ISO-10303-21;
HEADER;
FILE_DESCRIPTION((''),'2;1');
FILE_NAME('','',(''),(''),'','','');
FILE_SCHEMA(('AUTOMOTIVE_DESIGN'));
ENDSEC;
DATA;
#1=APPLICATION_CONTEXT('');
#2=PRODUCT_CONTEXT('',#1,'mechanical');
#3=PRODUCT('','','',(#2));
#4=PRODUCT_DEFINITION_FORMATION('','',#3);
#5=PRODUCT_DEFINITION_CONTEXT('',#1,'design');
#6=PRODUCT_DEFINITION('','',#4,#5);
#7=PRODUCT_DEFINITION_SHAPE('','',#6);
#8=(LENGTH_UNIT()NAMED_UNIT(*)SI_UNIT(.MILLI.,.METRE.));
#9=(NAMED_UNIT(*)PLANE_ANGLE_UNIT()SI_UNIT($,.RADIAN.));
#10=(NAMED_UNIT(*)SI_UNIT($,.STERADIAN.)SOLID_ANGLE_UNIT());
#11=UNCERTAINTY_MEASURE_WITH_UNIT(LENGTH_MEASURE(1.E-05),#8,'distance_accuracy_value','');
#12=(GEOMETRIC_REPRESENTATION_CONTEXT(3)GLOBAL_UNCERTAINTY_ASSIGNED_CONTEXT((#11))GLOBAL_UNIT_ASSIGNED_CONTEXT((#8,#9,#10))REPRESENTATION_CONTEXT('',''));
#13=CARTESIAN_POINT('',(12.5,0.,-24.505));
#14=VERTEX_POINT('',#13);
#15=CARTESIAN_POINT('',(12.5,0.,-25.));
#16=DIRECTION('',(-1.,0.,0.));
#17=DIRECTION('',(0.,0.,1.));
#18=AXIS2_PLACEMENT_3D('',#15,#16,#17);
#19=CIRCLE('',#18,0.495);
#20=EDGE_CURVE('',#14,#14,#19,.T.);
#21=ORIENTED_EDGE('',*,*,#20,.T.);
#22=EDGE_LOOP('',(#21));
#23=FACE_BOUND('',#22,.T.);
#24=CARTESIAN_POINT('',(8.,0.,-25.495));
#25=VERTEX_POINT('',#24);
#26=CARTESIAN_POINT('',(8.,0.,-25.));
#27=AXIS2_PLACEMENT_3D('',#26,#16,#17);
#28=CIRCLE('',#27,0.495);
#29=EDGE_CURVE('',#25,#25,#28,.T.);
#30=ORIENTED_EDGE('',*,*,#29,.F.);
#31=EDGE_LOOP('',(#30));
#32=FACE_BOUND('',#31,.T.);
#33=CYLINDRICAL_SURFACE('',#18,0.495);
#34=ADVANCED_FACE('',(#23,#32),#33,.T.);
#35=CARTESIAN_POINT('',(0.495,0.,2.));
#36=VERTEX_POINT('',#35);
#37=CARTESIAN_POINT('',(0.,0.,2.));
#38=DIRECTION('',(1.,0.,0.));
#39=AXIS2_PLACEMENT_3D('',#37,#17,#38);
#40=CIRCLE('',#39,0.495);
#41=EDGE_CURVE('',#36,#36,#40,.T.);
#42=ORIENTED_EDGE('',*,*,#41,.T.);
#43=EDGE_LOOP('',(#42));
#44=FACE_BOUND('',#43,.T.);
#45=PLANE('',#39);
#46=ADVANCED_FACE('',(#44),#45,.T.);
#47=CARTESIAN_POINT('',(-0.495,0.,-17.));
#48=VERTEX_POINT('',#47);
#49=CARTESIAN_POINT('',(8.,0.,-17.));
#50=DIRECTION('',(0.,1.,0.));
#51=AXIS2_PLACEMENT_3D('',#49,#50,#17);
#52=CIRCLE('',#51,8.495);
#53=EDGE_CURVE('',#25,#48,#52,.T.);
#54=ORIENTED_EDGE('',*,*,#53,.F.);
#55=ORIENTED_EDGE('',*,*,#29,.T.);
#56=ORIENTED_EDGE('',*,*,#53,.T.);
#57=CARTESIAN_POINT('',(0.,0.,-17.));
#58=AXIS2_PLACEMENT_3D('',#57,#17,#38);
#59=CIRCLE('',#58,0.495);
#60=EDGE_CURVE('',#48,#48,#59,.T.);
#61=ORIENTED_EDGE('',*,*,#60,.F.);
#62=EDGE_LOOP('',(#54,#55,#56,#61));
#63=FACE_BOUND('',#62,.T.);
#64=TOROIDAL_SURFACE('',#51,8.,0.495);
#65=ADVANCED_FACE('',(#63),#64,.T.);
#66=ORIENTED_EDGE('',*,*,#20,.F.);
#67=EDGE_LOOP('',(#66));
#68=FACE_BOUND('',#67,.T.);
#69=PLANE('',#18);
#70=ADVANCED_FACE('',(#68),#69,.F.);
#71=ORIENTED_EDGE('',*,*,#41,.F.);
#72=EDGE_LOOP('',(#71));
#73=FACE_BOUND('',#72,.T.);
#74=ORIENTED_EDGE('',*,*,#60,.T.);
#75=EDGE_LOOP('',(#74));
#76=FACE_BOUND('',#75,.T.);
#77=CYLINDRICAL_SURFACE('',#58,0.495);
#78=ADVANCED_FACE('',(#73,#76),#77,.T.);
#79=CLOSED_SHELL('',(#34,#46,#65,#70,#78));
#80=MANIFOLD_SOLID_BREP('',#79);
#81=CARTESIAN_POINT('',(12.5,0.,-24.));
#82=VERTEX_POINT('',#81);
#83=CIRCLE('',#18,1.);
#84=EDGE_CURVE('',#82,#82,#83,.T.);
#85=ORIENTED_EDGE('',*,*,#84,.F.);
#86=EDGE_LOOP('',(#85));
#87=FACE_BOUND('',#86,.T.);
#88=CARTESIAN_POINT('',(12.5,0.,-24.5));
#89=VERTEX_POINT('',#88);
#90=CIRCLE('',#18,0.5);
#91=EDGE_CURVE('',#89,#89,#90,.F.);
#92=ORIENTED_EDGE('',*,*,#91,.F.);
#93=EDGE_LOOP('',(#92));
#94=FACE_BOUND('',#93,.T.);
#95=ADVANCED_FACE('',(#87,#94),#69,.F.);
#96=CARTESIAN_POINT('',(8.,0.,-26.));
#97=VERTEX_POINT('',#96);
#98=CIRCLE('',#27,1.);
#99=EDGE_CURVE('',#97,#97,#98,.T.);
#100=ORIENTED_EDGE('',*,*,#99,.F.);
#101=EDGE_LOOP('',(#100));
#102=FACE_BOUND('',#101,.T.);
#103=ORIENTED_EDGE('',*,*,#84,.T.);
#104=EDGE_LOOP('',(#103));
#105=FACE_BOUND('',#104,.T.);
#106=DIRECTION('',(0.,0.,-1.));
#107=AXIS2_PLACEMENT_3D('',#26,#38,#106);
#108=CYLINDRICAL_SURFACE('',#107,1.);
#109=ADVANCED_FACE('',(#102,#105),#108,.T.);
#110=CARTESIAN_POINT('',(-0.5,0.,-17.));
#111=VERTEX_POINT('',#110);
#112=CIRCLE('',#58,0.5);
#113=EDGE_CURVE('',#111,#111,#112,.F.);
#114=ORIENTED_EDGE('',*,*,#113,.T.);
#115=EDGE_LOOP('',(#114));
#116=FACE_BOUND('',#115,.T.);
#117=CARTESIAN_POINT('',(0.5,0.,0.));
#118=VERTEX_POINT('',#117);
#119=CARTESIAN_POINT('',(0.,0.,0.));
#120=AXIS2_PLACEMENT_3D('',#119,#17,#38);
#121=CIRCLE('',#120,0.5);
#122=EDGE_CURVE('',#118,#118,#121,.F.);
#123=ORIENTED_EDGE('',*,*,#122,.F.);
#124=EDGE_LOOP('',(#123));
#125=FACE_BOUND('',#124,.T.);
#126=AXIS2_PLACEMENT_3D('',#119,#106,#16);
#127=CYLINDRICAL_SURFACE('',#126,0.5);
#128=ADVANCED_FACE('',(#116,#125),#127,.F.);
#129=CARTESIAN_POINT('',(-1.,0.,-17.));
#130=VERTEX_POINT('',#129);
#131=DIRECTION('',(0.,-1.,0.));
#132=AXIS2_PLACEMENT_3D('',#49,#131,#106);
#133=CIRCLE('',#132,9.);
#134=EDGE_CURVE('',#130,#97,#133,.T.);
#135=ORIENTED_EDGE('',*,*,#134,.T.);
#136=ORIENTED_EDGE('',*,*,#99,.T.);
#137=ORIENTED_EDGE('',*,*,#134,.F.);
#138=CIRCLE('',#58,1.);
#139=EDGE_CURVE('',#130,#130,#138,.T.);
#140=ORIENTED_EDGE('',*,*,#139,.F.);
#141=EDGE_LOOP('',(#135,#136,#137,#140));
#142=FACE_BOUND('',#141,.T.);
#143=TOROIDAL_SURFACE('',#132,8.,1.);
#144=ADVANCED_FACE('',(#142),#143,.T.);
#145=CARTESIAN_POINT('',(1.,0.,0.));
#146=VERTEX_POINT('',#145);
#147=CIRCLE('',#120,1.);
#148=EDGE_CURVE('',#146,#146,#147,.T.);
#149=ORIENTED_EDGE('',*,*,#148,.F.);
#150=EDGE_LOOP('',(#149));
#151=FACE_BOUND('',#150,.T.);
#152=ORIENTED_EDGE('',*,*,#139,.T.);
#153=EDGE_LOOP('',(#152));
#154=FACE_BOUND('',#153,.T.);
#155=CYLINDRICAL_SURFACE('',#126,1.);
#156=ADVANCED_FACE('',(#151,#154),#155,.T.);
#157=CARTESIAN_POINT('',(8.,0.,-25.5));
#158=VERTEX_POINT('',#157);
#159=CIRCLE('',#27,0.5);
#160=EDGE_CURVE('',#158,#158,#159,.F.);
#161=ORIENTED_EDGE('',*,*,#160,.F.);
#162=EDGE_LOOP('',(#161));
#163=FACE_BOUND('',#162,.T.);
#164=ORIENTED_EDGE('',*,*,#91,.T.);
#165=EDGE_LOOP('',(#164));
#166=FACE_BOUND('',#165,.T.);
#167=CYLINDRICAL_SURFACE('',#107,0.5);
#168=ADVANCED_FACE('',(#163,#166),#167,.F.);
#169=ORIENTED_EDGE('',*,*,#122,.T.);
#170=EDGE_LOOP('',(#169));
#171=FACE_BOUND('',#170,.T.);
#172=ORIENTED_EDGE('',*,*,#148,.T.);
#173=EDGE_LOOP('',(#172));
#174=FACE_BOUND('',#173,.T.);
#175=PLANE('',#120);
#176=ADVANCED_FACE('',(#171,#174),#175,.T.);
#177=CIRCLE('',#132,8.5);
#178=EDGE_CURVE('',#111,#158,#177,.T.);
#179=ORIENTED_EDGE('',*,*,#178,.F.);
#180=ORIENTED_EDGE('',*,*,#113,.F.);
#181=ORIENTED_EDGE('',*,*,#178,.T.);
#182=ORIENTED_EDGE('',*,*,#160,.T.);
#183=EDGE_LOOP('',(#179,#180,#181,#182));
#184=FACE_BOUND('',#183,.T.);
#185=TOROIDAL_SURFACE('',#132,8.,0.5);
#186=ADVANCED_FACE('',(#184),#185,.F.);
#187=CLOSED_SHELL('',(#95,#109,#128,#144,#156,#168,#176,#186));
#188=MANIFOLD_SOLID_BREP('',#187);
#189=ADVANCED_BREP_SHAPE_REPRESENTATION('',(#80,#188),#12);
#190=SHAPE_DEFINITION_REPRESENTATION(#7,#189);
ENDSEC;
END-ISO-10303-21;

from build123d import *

# Parameters (mm, degrees)
SKETCH_2_R   = 1
SKETCH_2_R_2 = 0.5
SKETCH_4_R   = 0.495


with BuildPart() as part:
    # 扫描1: sweep along a path in 草图1
    with BuildLine(Plane(origin=(0, 0, 0), x_dir=(1, 0, 0), z_dir=(0, 1, 0))) as sweep_1_path:
        Line((0, 0), (0, 17))
        ThreePointArc((0, 17), (2.343145751, 22.656854249), (8, 25))
        Line((8, 25), (12.5, 25))
    # 草图2 → 扫描1 (sweep)
    with BuildSketch(Plane.XY):
        Circle(SKETCH_2_R)
        Circle(SKETCH_2_R_2, mode=Mode.SUBTRACT)
    sweep(path=sweep_1_path.line)


with BuildPart() as body_2:
    # 扫描2: sweep along a path in 草图3
    with BuildLine(Plane(origin=(0, 0, 0), x_dir=(1, 0, 0), z_dir=(0, 1, 0))) as sweep_2_path:
        Line((12.5, 25), (8, 25))
        ThreePointArc((8, 25), (2.343145751, 22.656854249), (0, 17))
        Line((0, 17), (0, 0))
        Line((0, 0), (0, -2))
    # 草图4 → 扫描2 (sweep)
    with BuildSketch(Plane.XY):
        Circle(SKETCH_4_R)
    sweep(path=sweep_2_path.line)


solid = Compound([part.part, body_2.part])
